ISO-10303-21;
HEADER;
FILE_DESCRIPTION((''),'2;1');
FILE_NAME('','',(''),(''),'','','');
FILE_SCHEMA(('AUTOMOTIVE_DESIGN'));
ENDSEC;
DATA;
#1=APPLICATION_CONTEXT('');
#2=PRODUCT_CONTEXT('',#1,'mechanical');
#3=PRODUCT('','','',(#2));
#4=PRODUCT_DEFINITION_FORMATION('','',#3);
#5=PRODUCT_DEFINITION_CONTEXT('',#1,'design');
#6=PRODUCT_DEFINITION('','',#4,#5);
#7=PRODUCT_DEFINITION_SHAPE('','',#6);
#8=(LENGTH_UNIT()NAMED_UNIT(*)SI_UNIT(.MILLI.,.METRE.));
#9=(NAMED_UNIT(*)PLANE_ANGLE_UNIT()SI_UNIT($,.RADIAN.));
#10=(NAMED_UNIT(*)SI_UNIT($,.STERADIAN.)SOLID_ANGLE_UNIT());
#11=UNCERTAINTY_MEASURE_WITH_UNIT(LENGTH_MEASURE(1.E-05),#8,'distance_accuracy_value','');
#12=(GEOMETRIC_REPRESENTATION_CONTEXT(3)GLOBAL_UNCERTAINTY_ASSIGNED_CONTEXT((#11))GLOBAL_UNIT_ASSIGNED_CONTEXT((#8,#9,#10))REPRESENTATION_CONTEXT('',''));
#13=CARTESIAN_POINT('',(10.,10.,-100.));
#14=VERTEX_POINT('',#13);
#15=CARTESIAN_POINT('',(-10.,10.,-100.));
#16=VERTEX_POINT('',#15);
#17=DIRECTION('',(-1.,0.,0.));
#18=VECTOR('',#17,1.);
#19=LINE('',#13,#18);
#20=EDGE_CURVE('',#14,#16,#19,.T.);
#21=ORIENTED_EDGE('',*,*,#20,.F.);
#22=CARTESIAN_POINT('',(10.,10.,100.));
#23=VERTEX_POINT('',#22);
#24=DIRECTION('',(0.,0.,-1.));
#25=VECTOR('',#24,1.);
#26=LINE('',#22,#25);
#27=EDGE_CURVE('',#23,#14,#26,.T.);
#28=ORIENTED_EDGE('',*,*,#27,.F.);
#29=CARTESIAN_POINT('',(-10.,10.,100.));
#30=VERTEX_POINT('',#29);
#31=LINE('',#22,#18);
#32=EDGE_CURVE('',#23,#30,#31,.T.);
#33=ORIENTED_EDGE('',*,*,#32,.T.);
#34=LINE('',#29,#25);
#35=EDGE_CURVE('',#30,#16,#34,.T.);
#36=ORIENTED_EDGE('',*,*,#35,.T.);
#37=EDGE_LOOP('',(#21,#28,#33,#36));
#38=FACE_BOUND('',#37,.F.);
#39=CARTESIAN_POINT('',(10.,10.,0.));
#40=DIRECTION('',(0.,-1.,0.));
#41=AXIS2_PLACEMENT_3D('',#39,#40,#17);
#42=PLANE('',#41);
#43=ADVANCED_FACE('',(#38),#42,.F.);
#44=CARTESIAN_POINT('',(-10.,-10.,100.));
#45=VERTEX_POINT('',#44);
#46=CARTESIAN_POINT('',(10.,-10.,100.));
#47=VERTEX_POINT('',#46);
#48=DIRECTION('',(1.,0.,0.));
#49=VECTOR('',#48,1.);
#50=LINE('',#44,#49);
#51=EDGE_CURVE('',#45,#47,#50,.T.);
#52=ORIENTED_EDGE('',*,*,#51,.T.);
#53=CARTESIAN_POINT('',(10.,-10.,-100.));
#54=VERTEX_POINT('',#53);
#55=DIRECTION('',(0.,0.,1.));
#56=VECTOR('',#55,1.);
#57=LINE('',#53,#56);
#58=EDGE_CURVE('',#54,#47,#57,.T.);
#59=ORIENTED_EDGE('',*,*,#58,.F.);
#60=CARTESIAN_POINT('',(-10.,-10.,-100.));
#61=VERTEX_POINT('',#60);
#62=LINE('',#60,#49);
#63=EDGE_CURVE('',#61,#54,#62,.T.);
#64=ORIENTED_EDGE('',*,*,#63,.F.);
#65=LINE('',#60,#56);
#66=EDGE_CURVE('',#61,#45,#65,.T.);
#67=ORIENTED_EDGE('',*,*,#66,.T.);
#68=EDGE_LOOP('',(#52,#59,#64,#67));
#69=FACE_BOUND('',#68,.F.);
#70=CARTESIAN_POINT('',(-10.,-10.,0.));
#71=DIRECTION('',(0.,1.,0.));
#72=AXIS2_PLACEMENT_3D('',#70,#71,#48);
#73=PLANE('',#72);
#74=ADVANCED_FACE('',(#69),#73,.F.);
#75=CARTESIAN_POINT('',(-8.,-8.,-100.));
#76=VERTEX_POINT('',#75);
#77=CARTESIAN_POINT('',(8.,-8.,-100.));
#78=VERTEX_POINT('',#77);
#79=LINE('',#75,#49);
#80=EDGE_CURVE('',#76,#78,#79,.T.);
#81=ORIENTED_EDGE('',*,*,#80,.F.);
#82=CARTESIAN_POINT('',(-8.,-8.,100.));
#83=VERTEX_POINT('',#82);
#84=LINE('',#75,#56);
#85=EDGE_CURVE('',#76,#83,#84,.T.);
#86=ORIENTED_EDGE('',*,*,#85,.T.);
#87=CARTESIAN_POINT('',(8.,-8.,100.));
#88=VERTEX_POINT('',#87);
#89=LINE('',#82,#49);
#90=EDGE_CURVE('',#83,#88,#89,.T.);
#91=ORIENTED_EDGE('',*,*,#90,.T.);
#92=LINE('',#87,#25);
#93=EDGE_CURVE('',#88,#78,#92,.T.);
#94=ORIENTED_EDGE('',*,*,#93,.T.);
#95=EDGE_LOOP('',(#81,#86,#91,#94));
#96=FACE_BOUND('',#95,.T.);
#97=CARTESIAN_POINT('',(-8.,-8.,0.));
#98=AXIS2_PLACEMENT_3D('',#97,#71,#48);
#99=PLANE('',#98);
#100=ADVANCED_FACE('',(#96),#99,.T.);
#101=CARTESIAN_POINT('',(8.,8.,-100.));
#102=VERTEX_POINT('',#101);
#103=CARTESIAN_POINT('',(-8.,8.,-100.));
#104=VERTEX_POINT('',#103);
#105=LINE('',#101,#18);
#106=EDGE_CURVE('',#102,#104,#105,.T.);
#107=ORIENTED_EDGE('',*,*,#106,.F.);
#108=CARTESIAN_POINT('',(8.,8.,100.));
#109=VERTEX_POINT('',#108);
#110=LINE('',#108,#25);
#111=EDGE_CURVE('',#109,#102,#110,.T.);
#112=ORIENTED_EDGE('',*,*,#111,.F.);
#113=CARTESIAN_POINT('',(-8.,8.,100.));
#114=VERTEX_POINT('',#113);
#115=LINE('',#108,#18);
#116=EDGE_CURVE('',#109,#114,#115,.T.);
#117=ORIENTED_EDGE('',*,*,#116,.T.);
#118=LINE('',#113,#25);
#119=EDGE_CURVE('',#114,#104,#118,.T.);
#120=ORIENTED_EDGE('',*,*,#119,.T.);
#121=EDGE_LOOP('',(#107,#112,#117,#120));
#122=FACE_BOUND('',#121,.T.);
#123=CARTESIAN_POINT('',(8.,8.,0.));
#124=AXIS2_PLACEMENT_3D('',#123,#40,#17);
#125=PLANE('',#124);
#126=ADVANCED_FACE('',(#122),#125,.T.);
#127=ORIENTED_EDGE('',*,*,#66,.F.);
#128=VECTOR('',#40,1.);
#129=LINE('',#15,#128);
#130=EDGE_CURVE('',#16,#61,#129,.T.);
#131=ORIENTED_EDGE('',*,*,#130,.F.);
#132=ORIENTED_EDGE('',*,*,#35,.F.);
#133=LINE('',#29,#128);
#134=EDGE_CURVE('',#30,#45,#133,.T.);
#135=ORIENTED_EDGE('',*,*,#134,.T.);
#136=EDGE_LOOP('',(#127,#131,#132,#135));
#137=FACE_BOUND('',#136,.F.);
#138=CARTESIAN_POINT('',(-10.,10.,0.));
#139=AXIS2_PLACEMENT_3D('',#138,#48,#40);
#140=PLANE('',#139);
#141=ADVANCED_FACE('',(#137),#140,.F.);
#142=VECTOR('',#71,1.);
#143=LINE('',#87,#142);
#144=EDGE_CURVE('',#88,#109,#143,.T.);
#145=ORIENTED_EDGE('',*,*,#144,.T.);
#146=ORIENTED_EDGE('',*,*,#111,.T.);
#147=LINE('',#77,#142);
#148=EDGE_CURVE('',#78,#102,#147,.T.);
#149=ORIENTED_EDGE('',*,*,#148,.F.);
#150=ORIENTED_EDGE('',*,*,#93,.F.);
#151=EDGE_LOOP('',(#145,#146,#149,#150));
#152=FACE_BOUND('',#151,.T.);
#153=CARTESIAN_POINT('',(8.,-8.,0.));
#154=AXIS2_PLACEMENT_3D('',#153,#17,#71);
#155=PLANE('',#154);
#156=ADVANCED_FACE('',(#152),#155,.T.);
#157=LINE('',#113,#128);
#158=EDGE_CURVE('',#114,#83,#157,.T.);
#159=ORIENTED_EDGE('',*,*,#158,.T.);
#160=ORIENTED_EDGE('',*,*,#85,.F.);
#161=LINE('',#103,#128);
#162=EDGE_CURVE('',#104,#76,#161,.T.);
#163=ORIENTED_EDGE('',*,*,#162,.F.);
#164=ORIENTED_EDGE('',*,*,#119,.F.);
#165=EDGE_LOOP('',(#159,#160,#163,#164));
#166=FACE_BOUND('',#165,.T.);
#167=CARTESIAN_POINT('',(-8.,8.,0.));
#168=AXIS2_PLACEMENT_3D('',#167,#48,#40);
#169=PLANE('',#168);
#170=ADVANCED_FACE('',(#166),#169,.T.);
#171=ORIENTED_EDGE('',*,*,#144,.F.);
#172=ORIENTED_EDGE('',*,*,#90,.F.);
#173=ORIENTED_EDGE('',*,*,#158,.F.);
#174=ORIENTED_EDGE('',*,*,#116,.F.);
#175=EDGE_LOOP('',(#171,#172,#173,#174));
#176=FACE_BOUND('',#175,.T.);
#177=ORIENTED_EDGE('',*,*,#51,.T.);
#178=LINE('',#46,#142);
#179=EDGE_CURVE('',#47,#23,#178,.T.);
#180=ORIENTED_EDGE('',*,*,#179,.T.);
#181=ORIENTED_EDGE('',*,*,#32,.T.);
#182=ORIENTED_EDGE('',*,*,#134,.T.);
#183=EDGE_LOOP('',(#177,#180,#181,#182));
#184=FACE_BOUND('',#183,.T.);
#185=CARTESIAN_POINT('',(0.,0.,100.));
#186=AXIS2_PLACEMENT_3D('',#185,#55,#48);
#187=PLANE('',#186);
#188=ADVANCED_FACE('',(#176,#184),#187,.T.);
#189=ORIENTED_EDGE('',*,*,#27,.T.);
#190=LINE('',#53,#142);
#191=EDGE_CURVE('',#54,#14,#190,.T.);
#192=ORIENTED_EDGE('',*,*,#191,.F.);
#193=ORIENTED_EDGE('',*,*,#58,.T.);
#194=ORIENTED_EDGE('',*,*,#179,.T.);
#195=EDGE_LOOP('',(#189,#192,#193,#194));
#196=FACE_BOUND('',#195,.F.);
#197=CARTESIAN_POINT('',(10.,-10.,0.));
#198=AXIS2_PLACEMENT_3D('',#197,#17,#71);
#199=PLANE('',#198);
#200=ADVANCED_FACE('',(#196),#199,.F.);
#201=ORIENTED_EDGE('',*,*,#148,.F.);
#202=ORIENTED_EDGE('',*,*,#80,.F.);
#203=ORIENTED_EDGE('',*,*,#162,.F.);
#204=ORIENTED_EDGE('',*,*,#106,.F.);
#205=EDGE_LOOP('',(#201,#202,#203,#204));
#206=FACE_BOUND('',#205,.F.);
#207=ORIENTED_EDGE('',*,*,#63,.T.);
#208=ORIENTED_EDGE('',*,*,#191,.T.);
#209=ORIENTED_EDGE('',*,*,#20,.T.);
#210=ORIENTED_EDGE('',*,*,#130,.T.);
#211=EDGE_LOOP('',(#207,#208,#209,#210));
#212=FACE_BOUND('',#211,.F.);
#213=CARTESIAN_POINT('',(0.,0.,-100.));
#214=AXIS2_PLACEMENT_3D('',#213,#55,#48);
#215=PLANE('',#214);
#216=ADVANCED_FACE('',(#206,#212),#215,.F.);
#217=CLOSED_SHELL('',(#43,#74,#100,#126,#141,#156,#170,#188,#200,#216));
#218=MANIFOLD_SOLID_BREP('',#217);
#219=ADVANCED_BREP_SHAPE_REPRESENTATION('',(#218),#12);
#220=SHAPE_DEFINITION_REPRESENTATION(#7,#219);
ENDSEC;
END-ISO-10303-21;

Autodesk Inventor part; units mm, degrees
sketch "Esboço1" plane through (0, 0, 0) normal (0, 0, 1) x (1, 0, 0)
  line L0 (-10, -10) -> (10, -10)
  line L1 (10, -10) -> (10, 10)
  line L2 (10, 10) -> (-10, 10)
  line L3 (-10, 10) -> (-10, -10)
  line L4 (-10, -10) -> (10, 10) construction
  line L5 (10, -10) -> (-10, 10) construction
  line L6 (-8, -8) -> (8, -8)
  line L7 (8, -8) -> (8, 8)
  line L8 (8, 8) -> (-8, 8)
  line L9 (-8, 8) -> (-8, -8)
  line L10 (-8, -8) -> (8, 8) construction
  line L11 (8, -8) -> (-8, 8) construction
  point P0 (0, 0)
  dimension "d0" = 20
  dimension "d1" = 2
extrude "Extrusão1" add sketch "Esboço1" along normal mid plane 200
properties part number "Sessao8_07_04_2025_0002_0001" material "Titânio"
